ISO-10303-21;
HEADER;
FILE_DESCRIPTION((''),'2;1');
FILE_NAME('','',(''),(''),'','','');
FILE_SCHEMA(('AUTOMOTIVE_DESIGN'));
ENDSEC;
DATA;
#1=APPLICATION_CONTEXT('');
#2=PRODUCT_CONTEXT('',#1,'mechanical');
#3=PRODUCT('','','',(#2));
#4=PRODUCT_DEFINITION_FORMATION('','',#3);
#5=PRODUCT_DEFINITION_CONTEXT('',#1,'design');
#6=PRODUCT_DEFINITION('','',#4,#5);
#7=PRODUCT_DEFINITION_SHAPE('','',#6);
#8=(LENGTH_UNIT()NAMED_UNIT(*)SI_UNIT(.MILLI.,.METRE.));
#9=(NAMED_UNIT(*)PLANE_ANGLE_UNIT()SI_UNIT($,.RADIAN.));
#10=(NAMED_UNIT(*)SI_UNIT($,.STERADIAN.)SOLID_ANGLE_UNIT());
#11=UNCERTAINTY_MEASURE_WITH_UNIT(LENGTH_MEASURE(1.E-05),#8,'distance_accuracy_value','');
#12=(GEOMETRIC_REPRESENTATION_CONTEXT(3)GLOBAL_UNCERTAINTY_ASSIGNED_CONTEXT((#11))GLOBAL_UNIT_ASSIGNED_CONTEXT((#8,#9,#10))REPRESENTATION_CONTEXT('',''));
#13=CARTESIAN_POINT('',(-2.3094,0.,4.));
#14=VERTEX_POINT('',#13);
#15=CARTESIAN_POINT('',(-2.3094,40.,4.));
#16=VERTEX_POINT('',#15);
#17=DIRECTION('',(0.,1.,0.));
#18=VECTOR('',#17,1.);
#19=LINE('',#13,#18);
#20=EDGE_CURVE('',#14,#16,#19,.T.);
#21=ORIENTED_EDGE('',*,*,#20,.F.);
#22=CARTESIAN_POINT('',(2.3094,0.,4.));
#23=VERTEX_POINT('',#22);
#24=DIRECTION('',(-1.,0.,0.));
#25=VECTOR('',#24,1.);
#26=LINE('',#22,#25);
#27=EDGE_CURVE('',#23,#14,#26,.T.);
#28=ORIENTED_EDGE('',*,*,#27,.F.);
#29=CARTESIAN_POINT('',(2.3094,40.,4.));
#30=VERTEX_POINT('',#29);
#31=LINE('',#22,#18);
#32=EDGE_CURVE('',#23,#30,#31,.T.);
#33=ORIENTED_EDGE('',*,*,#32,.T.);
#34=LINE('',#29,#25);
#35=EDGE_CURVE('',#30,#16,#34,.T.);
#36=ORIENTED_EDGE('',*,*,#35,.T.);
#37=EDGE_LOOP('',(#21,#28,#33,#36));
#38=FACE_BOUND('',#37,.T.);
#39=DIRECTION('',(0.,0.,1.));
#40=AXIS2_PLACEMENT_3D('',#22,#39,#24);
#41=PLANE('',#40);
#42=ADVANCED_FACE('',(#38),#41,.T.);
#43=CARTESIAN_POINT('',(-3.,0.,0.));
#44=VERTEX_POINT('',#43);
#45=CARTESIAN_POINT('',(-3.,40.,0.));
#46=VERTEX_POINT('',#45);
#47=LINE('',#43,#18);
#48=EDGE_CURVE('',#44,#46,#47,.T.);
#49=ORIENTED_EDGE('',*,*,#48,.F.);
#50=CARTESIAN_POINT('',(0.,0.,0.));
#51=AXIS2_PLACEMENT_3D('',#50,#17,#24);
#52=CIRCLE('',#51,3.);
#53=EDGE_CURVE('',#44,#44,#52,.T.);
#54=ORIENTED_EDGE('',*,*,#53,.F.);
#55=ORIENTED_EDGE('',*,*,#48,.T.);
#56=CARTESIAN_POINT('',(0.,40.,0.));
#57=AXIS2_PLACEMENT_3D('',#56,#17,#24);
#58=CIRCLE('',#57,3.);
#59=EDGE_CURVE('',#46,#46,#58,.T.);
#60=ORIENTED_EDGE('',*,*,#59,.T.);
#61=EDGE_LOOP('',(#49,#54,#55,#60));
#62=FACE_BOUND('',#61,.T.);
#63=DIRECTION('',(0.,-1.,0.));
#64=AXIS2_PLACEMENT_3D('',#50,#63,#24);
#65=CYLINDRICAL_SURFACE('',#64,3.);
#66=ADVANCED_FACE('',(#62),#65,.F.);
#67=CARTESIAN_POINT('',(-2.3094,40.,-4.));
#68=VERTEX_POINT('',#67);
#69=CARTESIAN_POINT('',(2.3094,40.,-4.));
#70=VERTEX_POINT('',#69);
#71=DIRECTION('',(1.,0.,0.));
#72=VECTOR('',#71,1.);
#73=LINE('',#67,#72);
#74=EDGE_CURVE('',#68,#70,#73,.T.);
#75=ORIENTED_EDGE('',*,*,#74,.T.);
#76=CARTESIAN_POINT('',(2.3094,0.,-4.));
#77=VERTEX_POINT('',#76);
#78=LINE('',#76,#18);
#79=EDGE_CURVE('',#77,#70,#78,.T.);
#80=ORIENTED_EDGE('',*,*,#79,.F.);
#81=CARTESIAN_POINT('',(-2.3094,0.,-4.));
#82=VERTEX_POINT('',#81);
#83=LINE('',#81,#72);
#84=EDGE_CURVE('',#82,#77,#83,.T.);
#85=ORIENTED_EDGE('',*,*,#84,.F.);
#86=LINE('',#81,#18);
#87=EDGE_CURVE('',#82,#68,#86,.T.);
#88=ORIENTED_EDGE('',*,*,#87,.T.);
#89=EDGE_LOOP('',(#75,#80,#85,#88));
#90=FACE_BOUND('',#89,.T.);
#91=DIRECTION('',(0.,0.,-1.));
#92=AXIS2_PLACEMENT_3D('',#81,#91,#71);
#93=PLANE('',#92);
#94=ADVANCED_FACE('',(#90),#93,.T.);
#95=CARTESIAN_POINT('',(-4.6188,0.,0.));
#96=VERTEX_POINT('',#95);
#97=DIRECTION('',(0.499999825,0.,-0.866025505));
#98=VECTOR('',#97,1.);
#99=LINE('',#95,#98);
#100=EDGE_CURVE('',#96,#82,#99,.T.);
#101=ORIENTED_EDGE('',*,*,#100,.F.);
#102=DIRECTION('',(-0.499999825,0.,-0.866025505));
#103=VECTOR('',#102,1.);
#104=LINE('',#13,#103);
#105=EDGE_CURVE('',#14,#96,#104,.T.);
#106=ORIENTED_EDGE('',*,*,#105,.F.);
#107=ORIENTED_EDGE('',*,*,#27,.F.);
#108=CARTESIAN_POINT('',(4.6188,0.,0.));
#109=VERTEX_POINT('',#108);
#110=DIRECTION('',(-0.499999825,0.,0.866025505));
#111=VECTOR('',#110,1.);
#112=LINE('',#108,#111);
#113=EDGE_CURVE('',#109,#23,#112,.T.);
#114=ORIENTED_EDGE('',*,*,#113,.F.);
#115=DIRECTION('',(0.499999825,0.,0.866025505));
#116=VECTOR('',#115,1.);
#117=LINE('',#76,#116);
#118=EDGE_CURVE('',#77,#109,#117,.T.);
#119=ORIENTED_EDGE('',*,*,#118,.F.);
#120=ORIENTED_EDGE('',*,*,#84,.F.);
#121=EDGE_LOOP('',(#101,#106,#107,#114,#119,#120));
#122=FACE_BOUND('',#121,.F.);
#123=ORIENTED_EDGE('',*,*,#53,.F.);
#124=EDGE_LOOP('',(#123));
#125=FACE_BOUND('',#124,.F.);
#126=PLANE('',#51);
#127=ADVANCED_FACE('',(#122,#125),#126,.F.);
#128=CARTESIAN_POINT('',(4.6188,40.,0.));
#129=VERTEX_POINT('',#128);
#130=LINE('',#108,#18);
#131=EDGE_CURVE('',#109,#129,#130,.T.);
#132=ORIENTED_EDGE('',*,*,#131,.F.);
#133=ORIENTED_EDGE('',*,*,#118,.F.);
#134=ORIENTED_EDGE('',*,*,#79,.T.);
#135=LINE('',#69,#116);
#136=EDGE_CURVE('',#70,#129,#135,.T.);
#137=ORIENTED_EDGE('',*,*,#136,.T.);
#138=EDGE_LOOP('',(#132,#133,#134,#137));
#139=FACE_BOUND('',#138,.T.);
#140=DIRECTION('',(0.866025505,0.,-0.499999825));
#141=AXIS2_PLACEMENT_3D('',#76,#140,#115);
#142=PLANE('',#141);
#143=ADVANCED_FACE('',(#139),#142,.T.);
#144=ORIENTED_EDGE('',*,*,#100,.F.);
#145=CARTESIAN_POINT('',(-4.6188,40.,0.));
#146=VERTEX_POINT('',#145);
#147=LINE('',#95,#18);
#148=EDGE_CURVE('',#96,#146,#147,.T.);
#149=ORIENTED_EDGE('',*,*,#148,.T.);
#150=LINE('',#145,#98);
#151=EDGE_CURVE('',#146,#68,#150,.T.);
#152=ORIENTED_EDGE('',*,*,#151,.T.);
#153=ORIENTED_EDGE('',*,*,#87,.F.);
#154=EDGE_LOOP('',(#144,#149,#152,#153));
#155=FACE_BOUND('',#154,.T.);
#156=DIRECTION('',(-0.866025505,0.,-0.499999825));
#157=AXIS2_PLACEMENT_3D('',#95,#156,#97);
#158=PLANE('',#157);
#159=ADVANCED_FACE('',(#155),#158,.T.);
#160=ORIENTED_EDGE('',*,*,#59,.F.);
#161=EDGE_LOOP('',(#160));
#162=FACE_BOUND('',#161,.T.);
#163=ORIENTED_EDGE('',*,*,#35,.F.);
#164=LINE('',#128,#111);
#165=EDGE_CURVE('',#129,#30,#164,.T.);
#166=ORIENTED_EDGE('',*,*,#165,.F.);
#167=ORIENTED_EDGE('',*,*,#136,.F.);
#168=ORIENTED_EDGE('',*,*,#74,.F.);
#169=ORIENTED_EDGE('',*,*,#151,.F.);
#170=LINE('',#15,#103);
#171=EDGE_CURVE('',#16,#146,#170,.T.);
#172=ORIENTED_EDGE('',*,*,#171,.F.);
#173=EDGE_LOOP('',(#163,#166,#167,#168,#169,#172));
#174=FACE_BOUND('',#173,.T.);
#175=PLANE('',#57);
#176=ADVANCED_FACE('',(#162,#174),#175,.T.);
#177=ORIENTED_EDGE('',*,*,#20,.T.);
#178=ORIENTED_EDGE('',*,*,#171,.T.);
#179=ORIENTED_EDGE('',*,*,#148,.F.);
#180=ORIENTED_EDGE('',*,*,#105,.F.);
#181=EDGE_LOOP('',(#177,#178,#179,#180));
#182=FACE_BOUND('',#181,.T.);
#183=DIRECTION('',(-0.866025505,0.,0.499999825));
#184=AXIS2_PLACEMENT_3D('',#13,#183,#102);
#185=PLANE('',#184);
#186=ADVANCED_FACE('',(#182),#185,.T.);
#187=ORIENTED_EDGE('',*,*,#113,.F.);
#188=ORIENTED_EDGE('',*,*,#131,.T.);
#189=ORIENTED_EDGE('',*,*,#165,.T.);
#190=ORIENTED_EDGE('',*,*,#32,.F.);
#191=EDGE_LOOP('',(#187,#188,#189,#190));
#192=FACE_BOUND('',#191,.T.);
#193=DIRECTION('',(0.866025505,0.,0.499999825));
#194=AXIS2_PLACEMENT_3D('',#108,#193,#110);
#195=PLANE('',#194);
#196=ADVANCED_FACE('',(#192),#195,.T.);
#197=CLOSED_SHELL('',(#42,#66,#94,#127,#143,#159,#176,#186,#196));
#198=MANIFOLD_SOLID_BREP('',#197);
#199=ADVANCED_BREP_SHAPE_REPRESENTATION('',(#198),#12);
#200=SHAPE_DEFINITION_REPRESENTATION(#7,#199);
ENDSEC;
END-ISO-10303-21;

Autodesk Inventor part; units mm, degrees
ref_plane "YZ Plane" through (0, 0, 0) normal (1, 0, 0) x (0, 1, 0)
ref_plane "XZ Plane" through (0, 0, 0) normal (0, 1, 0) x (-1, 0, 0)
ref_plane "XY Plane" through (0, 0, 0) normal (0, 0, 1) x (1, 0, 0)
sketch "Эскиз1" plane through (0, 0, 0) normal (0, 1, 0) x (-1, 0, 0)
  line L0 (4.6188, 0) -> (2.3094, -4)
  line L1 (2.3094, -4) -> (-2.3094, -4)
  line L2 (-2.3094, -4) -> (-4.6188, 0)
  line L3 (-4.6188, 0) -> (-2.3094, 4)
  line L4 (-2.3094, 4) -> (2.3094, 4)
  line L5 (2.3094, 4) -> (4.6188, 0)
  circle A0 centre (0, 0) radius 3
  dimension "d0" = 8
  dimension "d1" = 8
  dimension "d2" = 6
extrude "Выдавливание1" add sketch "Эскиз1" along normal blind 40
thread "Резьба1" size "M6x1" class "6H" standard "ANSI Metric M Profile" full length
properties part number "stoyka_M6_40mm" material "Сталь нержавеющая, 440C"
